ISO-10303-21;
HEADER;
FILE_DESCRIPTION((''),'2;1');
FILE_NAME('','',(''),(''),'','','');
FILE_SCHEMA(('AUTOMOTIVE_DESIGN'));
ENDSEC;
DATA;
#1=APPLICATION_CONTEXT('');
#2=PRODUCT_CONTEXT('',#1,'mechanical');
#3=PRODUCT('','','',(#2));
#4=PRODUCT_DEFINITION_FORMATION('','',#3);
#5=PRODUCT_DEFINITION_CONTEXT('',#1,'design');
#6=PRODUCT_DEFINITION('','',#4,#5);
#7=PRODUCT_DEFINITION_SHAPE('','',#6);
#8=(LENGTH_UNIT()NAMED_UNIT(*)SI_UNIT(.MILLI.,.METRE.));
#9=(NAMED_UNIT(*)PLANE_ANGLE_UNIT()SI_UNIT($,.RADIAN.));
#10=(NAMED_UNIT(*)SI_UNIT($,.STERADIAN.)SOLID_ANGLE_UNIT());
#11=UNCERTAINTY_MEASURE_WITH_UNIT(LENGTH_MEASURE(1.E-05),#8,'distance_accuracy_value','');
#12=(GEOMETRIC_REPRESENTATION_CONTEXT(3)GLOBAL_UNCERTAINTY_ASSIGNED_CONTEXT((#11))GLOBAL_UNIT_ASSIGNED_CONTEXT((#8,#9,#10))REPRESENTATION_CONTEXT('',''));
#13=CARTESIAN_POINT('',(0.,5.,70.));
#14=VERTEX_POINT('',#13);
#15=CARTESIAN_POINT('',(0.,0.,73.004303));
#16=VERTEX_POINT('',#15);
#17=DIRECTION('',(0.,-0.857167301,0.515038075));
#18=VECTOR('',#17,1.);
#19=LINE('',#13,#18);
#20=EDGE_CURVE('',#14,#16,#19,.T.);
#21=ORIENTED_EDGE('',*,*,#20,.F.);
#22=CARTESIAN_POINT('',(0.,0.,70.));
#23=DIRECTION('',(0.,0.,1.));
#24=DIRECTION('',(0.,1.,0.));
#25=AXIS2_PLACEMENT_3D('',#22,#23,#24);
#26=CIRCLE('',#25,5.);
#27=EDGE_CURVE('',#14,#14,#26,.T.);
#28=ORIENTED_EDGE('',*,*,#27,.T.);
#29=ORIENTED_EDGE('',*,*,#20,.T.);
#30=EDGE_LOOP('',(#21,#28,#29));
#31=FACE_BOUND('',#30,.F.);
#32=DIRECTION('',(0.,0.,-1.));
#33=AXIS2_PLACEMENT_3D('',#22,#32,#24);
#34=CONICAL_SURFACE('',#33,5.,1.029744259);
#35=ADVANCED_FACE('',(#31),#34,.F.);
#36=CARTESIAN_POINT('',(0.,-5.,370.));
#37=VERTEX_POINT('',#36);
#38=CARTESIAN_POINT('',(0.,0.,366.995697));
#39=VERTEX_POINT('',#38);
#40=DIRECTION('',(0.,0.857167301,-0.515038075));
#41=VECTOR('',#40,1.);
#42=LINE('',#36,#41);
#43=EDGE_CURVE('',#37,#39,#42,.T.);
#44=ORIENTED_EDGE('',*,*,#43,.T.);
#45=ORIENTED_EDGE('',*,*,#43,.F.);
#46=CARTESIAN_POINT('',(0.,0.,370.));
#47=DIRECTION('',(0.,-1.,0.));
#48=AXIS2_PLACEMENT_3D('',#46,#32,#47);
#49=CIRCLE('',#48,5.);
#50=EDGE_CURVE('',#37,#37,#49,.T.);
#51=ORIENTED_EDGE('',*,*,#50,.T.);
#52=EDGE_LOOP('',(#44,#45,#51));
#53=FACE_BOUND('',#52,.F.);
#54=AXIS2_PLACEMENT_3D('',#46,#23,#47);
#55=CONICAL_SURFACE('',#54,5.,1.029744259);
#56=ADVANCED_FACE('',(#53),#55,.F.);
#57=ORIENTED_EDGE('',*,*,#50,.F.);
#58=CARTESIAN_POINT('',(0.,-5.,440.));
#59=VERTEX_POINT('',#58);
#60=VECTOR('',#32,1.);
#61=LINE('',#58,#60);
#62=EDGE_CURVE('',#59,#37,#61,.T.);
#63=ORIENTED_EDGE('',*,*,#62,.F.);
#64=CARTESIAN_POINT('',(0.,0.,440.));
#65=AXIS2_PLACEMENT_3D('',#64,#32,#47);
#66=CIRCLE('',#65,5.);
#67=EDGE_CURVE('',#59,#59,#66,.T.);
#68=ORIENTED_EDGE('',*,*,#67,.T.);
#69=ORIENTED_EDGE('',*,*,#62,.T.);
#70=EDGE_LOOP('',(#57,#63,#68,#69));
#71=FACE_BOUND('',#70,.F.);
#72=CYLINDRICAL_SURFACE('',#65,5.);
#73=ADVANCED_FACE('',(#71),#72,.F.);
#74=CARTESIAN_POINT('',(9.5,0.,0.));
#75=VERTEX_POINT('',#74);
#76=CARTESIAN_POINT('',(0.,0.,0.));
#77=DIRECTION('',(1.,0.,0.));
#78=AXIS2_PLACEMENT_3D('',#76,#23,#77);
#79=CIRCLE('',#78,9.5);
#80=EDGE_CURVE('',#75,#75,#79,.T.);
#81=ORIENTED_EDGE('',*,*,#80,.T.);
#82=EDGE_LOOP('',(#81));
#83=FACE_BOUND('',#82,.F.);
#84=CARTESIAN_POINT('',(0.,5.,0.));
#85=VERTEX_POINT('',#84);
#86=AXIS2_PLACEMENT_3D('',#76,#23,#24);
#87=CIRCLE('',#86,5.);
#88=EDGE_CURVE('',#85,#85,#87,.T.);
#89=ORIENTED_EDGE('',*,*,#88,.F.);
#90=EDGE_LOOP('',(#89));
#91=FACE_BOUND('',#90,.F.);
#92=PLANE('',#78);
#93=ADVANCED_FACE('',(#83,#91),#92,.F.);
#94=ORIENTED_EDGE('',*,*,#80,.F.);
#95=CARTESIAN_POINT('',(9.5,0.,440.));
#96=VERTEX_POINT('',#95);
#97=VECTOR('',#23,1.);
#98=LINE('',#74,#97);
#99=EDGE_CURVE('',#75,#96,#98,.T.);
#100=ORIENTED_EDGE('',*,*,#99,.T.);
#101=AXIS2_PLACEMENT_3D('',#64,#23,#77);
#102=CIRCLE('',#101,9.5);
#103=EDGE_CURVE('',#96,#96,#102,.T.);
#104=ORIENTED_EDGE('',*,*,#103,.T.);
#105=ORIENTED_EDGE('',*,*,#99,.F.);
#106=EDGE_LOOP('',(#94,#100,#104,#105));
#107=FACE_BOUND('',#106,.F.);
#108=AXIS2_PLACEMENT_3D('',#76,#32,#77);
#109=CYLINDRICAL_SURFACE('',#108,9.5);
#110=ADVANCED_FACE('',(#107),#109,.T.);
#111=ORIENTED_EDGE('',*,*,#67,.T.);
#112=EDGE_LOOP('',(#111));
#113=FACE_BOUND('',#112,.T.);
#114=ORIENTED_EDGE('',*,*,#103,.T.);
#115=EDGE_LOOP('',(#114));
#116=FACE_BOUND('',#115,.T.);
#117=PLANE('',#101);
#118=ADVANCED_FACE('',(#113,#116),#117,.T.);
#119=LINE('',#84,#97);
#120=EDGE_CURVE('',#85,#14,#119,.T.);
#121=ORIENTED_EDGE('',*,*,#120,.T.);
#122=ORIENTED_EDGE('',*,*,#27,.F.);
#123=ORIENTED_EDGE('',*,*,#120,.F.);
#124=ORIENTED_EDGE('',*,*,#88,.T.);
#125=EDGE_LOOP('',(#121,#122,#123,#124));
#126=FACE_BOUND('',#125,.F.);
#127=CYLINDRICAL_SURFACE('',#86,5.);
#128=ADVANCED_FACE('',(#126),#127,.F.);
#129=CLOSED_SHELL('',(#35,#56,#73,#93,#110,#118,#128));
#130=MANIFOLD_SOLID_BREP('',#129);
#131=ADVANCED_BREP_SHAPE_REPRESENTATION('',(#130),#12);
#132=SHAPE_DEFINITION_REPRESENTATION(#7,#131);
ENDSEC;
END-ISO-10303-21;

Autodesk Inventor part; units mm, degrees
ref_plane "YZ Plane" through (0, 0, 0) normal (1, 0, 0) x (0, 1, 0)
ref_plane "XZ Plane" through (0, 0, 0) normal (0, 1, 0) x (-1, 0, 0)
ref_plane "XY Plane" through (0, 0, 0) normal (0, 0, 1) x (1, 0, 0)
sketch "Sketch1" plane through (0, 0, 0) normal (0, 0, 1) x (1, 0, 0)
  circle A0 centre (0, 0) radius 9.5
  dimension "d0" = 19
extrude "Extrusion1" add sketch "Sketch1" along normal blind 440
hole "Hole1" at (0, 0, 440) direction (0, 0, -1) diameter 10 depth 70 tip angle 118
hole "Hole2" at (0, 0, 0) direction (0, 0, 1) diameter 10 depth 70 tip angle 118
properties part number "Barra-garfo" material "Aluminium AW-7020"
